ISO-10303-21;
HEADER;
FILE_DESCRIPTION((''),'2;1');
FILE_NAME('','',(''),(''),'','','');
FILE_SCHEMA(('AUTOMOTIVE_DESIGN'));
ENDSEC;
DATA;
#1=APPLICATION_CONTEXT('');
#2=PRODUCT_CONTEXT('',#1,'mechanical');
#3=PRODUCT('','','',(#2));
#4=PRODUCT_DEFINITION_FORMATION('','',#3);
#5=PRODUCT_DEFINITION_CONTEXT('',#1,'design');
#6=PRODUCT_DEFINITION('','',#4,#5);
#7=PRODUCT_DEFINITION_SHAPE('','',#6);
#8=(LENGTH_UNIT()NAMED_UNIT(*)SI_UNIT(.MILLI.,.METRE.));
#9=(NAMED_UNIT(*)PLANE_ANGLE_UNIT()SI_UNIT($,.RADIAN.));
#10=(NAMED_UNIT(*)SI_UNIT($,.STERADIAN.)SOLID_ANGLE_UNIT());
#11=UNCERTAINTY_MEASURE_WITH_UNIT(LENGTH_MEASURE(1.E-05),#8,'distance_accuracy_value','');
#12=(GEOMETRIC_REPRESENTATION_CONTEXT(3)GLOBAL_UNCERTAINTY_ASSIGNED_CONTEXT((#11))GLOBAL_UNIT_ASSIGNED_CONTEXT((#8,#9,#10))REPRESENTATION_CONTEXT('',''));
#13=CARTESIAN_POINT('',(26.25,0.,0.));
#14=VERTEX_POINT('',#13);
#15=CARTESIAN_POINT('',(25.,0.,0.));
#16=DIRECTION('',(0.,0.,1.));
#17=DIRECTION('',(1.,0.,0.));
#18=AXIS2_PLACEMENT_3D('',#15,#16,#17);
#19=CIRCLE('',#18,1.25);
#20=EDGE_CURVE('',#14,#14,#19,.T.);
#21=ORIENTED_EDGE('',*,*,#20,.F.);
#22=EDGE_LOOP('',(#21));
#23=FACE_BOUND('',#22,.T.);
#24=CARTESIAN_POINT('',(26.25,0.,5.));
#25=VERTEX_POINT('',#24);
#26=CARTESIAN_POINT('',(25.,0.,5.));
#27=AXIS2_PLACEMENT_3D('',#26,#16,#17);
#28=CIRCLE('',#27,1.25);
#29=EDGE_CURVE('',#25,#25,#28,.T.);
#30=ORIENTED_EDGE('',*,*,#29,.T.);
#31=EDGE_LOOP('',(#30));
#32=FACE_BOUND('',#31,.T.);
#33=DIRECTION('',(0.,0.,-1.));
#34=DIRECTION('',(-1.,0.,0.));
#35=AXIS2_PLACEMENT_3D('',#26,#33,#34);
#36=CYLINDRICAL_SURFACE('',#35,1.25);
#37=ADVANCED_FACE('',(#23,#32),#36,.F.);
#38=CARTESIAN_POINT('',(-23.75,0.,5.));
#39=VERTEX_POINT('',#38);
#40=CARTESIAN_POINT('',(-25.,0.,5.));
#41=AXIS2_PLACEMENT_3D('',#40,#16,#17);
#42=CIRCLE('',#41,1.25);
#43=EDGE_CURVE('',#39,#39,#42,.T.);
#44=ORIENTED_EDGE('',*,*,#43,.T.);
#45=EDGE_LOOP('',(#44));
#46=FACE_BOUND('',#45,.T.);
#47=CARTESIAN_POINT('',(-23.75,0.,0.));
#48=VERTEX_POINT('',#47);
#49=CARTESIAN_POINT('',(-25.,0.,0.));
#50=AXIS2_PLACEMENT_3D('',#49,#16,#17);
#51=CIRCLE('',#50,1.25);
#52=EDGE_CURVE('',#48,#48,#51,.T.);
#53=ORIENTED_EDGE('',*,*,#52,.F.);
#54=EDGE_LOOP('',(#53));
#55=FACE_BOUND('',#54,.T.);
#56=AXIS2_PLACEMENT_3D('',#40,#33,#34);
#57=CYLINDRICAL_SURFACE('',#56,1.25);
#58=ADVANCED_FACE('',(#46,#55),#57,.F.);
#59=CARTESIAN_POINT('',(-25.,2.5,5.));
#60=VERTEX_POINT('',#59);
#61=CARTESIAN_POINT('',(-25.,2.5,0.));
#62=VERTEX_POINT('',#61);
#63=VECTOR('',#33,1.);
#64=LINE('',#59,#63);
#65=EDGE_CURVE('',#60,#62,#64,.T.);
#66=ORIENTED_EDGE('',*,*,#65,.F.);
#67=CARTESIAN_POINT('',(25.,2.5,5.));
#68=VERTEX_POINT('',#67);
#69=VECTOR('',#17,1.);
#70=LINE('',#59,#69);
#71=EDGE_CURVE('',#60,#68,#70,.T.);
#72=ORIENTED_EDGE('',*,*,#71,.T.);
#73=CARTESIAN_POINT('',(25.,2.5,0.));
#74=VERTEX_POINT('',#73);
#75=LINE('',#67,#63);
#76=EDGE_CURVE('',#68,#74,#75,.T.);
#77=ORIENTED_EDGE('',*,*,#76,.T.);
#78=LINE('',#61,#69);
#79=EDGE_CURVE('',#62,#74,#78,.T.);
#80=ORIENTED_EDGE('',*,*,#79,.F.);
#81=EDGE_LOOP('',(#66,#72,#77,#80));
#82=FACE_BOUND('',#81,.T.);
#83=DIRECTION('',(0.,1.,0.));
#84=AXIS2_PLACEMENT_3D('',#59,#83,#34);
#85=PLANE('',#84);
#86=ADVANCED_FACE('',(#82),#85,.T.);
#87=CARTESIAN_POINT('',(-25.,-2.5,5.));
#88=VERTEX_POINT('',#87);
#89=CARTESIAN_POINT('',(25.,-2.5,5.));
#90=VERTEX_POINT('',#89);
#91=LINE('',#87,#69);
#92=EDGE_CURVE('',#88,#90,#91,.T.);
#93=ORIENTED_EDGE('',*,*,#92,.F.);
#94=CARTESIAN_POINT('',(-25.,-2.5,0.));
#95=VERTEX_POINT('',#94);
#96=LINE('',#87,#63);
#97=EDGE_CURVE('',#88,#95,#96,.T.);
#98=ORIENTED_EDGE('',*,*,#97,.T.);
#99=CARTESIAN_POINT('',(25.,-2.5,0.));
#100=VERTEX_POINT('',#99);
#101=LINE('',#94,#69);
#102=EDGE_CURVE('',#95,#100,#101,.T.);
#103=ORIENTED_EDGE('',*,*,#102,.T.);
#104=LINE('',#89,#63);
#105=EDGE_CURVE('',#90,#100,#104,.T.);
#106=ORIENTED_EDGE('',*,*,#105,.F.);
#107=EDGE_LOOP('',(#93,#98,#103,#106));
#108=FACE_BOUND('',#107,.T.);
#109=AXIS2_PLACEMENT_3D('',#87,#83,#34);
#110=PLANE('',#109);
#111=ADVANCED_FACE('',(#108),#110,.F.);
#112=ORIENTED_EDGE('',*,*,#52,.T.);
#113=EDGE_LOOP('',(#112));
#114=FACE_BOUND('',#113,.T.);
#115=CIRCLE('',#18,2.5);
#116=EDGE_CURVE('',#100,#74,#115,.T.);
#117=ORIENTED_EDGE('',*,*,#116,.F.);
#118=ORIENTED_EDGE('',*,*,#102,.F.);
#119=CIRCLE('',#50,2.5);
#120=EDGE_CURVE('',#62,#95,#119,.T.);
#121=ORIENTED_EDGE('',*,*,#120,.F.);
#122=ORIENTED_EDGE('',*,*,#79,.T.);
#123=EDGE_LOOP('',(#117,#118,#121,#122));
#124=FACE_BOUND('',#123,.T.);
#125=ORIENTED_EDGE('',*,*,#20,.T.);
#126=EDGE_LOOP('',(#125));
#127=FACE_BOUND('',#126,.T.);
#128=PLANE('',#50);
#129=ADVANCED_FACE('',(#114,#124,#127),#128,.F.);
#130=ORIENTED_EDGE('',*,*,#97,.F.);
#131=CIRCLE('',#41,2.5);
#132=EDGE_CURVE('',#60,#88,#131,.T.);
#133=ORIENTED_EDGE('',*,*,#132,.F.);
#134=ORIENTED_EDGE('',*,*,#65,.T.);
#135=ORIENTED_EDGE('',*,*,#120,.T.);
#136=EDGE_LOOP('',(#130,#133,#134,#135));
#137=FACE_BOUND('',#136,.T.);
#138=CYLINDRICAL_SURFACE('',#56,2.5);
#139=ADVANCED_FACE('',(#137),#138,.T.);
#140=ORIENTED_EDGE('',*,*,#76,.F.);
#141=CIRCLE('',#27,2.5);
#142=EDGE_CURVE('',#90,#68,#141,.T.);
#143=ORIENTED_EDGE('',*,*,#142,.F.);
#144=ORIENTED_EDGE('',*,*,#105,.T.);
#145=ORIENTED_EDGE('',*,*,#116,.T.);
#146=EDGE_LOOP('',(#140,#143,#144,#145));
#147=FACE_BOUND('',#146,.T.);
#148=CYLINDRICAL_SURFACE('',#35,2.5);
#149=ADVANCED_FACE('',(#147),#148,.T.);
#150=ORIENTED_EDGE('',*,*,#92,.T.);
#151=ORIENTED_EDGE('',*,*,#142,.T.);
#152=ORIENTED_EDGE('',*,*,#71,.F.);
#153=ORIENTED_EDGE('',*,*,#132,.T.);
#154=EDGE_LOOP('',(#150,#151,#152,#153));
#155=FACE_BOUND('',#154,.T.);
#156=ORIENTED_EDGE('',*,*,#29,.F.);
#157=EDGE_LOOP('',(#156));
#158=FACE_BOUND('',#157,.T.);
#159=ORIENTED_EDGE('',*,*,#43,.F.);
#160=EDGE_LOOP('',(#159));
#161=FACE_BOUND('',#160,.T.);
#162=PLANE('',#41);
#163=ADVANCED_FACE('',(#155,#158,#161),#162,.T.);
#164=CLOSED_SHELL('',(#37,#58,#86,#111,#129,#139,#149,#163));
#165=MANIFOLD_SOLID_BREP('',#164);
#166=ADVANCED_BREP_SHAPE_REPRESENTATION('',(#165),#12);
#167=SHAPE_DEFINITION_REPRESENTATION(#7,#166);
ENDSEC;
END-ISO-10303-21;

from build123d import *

# Parameters (mm, degrees)
SKETCH1_R           = 1.25
BOSS_EXTRUDE1_DEPTH = 5


with BuildPart() as part:
    # Sketch1 → Boss-Extrude1 (new body)
    with BuildSketch(Plane.XY):
        with BuildLine():
            Line((-25, 2.5), (25, 2.5))
            ThreePointArc((25, 2.5), (27.5, 0), (25, -2.5))
            Line((25, -2.5), (-25, -2.5))
            ThreePointArc((-25, -2.5), (-27.5, 0), (-25, 2.5))
        make_face()
        with Locations((-25, 0)):
            Circle(SKETCH1_R, mode=Mode.SUBTRACT)
        with Locations((25, 0)):
            Circle(SKETCH1_R, mode=Mode.SUBTRACT)
    extrude(amount=BOSS_EXTRUDE1_DEPTH)


solid = part.part
